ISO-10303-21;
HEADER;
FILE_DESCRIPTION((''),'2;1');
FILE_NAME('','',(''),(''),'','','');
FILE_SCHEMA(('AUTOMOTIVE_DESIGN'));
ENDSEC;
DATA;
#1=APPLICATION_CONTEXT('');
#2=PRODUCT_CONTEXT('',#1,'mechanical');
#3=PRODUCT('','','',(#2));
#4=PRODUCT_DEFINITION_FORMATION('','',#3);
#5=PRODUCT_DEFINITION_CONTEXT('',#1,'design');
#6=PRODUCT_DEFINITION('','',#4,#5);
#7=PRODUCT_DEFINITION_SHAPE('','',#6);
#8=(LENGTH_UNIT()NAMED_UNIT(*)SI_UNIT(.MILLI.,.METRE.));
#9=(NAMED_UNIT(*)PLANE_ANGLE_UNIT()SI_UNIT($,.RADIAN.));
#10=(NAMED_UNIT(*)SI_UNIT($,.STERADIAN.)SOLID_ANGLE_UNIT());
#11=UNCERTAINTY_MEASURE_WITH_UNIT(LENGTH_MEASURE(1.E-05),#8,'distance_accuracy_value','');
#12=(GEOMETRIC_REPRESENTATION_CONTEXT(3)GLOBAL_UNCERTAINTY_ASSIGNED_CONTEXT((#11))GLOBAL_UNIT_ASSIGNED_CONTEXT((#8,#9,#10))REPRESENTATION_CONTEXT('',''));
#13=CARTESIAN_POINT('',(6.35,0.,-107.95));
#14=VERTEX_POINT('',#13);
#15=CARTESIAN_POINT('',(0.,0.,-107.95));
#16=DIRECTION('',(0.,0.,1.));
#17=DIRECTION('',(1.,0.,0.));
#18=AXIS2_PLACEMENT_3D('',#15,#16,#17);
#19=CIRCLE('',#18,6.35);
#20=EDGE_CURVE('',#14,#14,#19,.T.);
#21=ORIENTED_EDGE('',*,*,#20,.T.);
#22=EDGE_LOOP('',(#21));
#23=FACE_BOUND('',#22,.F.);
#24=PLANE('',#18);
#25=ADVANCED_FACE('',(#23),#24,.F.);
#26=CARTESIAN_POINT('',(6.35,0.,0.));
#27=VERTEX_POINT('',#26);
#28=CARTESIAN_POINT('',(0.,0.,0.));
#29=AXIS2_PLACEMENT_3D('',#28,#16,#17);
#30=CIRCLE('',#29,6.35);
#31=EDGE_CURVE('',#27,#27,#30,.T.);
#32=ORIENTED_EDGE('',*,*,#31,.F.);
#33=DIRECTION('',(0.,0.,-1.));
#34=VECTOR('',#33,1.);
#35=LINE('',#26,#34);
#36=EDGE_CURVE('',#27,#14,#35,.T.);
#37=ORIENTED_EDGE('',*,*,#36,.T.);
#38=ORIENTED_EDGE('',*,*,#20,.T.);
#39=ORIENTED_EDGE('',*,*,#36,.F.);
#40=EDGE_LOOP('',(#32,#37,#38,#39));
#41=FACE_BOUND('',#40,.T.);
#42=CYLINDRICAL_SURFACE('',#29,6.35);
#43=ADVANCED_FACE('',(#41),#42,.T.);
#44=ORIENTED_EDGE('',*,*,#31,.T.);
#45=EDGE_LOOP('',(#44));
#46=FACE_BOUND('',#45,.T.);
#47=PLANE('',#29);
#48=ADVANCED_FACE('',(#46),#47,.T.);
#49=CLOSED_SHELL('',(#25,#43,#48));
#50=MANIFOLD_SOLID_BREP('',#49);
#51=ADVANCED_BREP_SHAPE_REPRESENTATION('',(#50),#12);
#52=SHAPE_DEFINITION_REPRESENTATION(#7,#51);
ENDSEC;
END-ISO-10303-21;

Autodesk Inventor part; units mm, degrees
ref_plane "YZ Plane" through (0, 0, 0) normal (1, 0, 0) x (0, 1, 0)
ref_plane "XZ Plane" through (0, 0, 0) normal (0, 1, 0) x (-1, 0, 0)
ref_plane "XY Plane" through (0, 0, 0) normal (0, 0, 1) x (1, 0, 0)
sketch "Sketch1" plane through (0, 0, 0) normal (0, 0, 1) x (1, 0, 0)
  circle A0 centre (0, 0) radius 6.35
  dimension "d0" = 12.7
  dimension "d0" = 12.7
extrude "Extrusion1" add sketch "Sketch1" against normal blind 107.95
properties part number "4.25 inch axle for shooter"
